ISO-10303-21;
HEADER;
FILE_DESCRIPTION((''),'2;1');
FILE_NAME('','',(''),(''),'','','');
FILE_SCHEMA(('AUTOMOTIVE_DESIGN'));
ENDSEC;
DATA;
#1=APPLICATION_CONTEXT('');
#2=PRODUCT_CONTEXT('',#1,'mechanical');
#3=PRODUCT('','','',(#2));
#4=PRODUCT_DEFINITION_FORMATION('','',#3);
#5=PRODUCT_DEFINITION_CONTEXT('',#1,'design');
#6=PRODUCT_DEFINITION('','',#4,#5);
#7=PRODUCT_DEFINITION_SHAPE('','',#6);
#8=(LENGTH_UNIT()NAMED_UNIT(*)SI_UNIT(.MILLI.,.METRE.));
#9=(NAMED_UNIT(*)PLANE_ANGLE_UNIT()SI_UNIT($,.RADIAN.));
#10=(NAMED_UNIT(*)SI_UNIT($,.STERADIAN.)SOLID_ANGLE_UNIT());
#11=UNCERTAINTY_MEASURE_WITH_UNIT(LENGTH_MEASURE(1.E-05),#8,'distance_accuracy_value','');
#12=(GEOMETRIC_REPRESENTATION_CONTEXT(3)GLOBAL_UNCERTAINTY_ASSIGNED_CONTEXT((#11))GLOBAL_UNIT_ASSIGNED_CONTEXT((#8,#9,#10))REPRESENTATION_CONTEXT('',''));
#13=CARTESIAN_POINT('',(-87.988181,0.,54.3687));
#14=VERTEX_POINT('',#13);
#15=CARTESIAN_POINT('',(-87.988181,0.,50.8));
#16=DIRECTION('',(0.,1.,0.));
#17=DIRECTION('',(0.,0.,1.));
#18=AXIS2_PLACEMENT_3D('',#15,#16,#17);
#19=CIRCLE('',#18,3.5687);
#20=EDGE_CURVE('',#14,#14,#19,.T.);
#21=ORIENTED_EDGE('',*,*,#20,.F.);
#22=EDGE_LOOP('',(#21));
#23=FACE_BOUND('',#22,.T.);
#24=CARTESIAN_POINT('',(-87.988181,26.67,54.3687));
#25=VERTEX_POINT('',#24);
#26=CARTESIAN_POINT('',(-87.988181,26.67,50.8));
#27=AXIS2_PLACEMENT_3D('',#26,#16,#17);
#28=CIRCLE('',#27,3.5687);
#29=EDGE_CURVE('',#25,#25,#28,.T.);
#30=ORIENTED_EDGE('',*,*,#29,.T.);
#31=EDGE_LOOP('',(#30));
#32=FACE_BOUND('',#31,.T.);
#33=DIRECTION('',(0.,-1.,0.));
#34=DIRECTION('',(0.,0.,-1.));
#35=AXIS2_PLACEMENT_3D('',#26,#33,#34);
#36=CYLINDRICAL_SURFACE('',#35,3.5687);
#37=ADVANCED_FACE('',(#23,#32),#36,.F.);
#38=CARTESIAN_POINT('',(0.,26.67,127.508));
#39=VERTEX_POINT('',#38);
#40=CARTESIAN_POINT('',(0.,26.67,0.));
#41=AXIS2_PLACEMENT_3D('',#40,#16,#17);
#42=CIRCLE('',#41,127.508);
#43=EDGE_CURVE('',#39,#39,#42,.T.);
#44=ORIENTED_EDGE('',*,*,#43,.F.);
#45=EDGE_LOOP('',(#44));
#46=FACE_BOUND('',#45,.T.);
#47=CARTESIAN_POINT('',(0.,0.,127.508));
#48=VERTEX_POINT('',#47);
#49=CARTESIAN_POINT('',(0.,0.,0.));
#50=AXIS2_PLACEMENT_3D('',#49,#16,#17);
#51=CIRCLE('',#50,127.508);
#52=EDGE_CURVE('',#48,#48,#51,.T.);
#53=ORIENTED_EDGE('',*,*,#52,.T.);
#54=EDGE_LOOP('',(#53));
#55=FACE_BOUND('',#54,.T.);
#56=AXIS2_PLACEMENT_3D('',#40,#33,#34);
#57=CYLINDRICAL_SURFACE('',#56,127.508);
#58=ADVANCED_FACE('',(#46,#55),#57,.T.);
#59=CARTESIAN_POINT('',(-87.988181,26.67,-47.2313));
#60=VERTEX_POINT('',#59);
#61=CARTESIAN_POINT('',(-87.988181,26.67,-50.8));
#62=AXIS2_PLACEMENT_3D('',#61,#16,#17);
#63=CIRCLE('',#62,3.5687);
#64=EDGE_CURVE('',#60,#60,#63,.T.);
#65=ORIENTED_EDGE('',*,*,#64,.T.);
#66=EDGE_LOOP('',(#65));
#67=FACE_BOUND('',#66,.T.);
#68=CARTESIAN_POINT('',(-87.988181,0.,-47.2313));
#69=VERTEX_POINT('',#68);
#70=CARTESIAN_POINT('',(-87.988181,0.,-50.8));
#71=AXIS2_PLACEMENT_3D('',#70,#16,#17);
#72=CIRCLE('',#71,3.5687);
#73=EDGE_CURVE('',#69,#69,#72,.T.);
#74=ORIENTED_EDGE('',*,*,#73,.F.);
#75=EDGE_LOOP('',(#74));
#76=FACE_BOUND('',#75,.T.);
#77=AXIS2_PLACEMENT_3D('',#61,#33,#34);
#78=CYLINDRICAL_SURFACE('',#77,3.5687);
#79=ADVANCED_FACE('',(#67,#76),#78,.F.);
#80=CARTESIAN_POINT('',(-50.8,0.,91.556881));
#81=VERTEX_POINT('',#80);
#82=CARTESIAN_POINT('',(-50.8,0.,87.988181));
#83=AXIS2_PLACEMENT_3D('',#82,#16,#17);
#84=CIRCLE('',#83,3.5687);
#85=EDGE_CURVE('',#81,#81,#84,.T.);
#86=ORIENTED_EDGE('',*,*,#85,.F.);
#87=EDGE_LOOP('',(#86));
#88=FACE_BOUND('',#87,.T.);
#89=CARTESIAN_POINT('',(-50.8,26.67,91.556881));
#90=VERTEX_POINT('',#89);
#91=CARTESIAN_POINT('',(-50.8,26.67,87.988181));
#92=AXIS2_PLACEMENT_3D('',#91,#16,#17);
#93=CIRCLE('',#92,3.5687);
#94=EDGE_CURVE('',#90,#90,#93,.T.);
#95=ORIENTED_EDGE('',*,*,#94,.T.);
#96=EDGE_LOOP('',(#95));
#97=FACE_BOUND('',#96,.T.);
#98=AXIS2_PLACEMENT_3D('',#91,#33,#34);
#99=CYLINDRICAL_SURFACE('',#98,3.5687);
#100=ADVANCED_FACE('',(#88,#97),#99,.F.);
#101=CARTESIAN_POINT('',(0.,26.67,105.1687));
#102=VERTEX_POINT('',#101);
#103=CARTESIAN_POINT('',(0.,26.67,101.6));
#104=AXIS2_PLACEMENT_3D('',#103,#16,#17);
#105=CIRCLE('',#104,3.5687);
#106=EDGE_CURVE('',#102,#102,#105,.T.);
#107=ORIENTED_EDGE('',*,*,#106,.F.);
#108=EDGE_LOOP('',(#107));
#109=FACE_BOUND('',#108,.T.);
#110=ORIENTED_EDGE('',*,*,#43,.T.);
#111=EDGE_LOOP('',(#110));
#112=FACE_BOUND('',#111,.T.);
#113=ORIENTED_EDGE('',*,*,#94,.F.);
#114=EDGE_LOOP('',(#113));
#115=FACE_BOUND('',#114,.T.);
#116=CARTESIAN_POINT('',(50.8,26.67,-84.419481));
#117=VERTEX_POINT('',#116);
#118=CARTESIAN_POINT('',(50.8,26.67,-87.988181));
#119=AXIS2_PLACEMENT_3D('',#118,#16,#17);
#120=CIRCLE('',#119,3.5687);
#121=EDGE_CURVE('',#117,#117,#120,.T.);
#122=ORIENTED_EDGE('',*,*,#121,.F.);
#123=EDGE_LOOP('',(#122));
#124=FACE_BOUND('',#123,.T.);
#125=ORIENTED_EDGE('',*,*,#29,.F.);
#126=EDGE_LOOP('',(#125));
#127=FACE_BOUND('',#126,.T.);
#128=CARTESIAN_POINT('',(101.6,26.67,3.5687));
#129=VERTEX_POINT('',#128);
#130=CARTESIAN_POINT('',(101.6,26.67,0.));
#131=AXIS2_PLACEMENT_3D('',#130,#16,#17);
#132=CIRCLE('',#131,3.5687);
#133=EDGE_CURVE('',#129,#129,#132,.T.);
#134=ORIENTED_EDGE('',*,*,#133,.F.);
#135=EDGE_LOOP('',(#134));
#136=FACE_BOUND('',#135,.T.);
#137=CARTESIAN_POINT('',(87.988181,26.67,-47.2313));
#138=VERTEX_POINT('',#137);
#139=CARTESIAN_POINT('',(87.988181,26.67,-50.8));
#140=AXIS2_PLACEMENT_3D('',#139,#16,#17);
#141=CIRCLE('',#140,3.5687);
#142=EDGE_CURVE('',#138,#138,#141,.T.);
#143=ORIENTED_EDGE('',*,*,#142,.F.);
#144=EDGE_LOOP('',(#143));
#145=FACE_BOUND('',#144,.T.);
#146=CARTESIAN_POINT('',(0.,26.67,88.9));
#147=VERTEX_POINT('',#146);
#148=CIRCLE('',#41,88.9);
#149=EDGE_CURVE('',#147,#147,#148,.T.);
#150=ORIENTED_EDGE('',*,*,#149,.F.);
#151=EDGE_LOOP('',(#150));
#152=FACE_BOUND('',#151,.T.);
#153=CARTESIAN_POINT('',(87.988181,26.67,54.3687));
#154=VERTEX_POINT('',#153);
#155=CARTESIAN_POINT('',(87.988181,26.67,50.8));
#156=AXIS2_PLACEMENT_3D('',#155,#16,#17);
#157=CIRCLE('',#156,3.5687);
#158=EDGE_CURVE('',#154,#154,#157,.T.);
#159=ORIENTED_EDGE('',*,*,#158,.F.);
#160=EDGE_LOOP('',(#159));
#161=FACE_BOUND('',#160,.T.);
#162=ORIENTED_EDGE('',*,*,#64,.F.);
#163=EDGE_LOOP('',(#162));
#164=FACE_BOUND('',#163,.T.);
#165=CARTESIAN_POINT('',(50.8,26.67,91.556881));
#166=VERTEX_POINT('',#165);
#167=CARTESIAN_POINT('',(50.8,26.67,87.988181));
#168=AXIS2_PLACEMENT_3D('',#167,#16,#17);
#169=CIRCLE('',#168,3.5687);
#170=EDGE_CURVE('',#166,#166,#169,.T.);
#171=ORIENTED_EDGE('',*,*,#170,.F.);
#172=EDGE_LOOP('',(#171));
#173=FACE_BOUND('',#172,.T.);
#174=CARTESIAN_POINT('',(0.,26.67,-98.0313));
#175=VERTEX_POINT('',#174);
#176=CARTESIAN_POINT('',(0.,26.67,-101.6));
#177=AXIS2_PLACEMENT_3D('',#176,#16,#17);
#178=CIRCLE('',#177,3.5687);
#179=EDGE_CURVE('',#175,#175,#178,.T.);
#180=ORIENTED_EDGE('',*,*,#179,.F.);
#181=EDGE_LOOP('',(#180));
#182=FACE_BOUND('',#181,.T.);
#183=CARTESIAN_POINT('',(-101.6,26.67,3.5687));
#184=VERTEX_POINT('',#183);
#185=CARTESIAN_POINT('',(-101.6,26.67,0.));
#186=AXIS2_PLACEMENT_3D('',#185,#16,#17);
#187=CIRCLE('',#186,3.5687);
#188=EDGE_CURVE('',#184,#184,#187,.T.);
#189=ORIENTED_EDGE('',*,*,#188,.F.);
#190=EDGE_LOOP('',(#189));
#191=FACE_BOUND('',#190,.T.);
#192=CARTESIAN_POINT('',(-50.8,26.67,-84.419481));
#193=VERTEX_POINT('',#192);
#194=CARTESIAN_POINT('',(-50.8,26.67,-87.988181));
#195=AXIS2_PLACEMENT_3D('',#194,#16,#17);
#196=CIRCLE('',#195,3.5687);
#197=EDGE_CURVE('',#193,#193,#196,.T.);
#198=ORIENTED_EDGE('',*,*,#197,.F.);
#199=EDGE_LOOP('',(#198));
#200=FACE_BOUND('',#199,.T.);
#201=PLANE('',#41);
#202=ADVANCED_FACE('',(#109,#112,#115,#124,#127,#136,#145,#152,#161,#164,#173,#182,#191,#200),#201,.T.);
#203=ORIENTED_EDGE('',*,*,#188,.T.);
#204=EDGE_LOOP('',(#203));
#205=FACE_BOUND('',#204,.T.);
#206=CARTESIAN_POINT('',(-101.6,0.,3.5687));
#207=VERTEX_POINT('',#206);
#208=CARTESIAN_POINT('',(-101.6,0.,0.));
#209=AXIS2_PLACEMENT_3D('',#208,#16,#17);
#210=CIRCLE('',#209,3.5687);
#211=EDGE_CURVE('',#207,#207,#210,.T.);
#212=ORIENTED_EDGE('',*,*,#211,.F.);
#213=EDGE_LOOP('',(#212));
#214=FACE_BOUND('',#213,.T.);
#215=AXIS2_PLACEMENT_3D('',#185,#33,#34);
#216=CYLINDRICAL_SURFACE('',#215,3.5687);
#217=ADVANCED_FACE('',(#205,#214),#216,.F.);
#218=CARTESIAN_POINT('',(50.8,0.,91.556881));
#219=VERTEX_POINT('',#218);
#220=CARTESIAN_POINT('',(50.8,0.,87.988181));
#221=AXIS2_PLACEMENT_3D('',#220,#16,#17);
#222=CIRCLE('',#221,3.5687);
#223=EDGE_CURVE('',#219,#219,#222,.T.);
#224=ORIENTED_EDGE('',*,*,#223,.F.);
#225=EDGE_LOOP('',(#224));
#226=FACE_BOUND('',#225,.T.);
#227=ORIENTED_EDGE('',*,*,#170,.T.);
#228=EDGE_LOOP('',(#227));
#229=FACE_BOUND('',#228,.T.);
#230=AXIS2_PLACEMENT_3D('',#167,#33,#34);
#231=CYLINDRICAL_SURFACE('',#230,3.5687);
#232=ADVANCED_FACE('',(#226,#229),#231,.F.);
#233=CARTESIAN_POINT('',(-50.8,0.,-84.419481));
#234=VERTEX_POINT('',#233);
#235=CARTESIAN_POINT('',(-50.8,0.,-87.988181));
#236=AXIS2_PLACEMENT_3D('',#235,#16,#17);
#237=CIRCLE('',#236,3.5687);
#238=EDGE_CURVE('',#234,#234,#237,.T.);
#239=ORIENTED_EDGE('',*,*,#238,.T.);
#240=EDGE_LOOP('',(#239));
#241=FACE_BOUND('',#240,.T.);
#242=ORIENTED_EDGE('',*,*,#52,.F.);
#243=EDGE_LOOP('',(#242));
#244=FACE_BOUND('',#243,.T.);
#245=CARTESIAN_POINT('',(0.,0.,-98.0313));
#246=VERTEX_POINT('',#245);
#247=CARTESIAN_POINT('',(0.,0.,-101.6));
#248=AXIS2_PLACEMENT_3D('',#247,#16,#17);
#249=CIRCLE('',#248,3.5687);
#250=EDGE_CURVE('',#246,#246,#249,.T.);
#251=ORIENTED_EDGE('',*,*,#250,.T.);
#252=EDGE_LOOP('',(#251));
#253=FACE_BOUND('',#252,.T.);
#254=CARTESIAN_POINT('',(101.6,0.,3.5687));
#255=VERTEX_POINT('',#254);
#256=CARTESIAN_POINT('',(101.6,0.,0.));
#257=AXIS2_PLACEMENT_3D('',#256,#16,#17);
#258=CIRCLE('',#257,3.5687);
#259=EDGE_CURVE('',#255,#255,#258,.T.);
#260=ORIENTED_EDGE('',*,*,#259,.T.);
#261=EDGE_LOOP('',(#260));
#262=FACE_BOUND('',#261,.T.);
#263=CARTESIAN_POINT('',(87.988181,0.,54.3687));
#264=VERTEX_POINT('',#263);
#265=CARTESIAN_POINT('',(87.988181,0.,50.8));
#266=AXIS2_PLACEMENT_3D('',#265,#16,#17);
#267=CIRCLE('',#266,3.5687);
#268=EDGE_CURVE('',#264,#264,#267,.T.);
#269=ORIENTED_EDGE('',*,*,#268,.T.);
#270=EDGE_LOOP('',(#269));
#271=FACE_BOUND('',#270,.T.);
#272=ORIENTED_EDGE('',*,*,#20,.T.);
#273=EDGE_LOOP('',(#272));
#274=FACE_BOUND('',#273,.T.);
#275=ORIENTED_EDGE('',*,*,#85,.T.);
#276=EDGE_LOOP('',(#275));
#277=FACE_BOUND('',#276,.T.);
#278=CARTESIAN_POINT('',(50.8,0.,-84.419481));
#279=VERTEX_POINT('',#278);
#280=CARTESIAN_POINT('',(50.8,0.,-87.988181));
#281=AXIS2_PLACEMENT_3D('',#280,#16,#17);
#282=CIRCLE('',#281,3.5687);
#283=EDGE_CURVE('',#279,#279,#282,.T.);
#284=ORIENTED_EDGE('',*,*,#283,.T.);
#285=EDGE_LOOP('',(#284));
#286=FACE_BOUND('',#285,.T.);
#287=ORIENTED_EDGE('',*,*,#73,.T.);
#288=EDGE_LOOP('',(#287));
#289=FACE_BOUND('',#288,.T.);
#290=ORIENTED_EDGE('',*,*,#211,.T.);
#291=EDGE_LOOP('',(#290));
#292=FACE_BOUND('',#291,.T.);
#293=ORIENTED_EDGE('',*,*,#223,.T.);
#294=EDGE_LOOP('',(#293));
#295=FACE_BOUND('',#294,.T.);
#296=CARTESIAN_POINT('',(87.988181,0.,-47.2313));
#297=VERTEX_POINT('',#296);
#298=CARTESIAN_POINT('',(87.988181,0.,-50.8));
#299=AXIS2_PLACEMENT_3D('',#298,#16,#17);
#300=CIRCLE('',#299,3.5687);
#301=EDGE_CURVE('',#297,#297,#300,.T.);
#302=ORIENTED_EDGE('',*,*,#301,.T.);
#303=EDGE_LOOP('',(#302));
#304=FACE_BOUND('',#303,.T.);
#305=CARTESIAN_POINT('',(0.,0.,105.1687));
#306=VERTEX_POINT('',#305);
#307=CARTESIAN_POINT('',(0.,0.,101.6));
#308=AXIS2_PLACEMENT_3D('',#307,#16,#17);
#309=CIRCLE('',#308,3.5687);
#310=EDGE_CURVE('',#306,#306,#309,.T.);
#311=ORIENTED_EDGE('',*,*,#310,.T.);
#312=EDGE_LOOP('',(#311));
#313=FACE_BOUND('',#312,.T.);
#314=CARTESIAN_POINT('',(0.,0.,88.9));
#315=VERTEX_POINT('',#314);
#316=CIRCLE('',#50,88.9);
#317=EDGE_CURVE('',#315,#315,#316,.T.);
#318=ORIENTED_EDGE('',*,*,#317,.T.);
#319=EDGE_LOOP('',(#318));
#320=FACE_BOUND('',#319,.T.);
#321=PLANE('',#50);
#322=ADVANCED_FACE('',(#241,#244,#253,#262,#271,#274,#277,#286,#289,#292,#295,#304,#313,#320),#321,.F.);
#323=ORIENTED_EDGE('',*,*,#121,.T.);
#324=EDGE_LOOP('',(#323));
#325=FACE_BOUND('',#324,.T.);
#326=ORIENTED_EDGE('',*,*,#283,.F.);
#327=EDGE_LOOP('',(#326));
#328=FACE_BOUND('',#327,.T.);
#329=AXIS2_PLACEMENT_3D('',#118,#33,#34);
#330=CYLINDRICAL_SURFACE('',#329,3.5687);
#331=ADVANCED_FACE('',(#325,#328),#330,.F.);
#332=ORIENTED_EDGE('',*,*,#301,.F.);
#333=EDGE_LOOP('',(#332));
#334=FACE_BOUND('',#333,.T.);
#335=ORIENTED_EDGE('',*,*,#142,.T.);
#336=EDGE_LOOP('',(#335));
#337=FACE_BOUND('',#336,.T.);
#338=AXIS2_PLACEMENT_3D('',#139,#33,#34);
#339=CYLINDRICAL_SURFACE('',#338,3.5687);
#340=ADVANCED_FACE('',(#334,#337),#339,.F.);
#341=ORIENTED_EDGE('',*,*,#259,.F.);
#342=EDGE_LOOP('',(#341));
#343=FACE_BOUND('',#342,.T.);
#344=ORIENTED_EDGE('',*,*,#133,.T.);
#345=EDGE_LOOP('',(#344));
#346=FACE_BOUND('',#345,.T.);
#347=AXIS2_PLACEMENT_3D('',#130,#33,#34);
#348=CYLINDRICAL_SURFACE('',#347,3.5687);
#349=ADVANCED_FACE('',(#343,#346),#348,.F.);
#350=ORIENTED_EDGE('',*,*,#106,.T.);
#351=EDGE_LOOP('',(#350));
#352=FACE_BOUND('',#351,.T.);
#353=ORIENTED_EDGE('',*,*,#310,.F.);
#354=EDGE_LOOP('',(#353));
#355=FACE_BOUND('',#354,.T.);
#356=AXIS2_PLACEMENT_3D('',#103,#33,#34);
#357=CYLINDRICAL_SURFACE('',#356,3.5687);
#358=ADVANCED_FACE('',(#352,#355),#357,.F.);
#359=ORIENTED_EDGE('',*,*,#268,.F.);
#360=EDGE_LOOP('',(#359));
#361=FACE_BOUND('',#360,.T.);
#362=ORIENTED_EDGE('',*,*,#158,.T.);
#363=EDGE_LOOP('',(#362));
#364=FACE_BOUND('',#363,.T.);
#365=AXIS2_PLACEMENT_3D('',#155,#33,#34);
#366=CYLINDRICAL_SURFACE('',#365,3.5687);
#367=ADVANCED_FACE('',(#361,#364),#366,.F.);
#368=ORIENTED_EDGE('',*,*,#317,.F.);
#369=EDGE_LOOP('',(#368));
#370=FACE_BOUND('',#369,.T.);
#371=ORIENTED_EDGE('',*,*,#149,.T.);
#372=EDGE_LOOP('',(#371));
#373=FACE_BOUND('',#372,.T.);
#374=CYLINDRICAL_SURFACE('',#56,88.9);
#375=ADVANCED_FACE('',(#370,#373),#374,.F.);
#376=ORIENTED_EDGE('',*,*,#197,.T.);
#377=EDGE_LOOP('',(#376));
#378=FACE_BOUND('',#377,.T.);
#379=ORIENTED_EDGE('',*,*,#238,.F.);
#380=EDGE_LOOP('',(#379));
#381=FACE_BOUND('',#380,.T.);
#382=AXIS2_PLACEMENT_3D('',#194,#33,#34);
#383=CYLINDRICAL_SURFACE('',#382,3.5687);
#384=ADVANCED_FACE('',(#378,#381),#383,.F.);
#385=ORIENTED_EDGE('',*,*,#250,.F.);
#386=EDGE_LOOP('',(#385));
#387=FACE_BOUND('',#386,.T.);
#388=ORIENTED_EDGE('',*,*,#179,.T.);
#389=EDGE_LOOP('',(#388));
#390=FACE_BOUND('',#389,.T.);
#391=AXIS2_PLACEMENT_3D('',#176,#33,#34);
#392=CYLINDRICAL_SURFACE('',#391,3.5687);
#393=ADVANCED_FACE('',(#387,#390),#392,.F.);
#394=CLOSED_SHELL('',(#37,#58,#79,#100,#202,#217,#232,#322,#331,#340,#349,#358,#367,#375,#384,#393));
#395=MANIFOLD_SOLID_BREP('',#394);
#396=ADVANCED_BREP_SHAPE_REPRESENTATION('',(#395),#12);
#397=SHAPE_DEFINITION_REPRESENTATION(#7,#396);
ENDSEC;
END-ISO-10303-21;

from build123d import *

# Parameters (mm, degrees)
SKETCH1_R           = 127.508
SKETCH1_R_2         = 88.9
SKETCH1_R_3         = 3.5687
BOSS_EXTRUDE1_DEPTH = 26.67


with BuildPart() as part:
    # Sketch1 → Boss-Extrude1 (new body)
    with BuildSketch(Plane(origin=(0, 0, 0), x_dir=(1, 0, 0), z_dir=(0, 1, 0))):
        Circle(SKETCH1_R)
        Circle(SKETCH1_R_2, mode=Mode.SUBTRACT)
        with Locations((0, 101.6)):
            Circle(SKETCH1_R_3, mode=Mode.SUBTRACT)
        with Locations((50.8, 87.988181024)):
            Circle(SKETCH1_R_3, mode=Mode.SUBTRACT)
        with Locations((87.988181025, 50.8)):
            Circle(SKETCH1_R_3, mode=Mode.SUBTRACT)
        with Locations((101.6, 0)):
            Circle(SKETCH1_R_3, mode=Mode.SUBTRACT)
        with Locations((87.988181025, -50.8)):
            Circle(SKETCH1_R_3, mode=Mode.SUBTRACT)
        with Locations((50.8, -87.988181024)):
            Circle(SKETCH1_R_3, mode=Mode.SUBTRACT)
        with Locations((0, -101.6)):
            Circle(SKETCH1_R_3, mode=Mode.SUBTRACT)
        with Locations((-50.8, -87.988181025)):
            Circle(SKETCH1_R_3, mode=Mode.SUBTRACT)
        with Locations((-87.988181024, -50.8)):
            Circle(SKETCH1_R_3, mode=Mode.SUBTRACT)
        with Locations((-101.6, 0)):
            Circle(SKETCH1_R_3, mode=Mode.SUBTRACT)
        with Locations((-87.988181024, 50.8)):
            Circle(SKETCH1_R_3, mode=Mode.SUBTRACT)
        with Locations((-50.8, 87.988181024)):
            Circle(SKETCH1_R_3, mode=Mode.SUBTRACT)
    extrude(amount=BOSS_EXTRUDE1_DEPTH)


solid = part.part
